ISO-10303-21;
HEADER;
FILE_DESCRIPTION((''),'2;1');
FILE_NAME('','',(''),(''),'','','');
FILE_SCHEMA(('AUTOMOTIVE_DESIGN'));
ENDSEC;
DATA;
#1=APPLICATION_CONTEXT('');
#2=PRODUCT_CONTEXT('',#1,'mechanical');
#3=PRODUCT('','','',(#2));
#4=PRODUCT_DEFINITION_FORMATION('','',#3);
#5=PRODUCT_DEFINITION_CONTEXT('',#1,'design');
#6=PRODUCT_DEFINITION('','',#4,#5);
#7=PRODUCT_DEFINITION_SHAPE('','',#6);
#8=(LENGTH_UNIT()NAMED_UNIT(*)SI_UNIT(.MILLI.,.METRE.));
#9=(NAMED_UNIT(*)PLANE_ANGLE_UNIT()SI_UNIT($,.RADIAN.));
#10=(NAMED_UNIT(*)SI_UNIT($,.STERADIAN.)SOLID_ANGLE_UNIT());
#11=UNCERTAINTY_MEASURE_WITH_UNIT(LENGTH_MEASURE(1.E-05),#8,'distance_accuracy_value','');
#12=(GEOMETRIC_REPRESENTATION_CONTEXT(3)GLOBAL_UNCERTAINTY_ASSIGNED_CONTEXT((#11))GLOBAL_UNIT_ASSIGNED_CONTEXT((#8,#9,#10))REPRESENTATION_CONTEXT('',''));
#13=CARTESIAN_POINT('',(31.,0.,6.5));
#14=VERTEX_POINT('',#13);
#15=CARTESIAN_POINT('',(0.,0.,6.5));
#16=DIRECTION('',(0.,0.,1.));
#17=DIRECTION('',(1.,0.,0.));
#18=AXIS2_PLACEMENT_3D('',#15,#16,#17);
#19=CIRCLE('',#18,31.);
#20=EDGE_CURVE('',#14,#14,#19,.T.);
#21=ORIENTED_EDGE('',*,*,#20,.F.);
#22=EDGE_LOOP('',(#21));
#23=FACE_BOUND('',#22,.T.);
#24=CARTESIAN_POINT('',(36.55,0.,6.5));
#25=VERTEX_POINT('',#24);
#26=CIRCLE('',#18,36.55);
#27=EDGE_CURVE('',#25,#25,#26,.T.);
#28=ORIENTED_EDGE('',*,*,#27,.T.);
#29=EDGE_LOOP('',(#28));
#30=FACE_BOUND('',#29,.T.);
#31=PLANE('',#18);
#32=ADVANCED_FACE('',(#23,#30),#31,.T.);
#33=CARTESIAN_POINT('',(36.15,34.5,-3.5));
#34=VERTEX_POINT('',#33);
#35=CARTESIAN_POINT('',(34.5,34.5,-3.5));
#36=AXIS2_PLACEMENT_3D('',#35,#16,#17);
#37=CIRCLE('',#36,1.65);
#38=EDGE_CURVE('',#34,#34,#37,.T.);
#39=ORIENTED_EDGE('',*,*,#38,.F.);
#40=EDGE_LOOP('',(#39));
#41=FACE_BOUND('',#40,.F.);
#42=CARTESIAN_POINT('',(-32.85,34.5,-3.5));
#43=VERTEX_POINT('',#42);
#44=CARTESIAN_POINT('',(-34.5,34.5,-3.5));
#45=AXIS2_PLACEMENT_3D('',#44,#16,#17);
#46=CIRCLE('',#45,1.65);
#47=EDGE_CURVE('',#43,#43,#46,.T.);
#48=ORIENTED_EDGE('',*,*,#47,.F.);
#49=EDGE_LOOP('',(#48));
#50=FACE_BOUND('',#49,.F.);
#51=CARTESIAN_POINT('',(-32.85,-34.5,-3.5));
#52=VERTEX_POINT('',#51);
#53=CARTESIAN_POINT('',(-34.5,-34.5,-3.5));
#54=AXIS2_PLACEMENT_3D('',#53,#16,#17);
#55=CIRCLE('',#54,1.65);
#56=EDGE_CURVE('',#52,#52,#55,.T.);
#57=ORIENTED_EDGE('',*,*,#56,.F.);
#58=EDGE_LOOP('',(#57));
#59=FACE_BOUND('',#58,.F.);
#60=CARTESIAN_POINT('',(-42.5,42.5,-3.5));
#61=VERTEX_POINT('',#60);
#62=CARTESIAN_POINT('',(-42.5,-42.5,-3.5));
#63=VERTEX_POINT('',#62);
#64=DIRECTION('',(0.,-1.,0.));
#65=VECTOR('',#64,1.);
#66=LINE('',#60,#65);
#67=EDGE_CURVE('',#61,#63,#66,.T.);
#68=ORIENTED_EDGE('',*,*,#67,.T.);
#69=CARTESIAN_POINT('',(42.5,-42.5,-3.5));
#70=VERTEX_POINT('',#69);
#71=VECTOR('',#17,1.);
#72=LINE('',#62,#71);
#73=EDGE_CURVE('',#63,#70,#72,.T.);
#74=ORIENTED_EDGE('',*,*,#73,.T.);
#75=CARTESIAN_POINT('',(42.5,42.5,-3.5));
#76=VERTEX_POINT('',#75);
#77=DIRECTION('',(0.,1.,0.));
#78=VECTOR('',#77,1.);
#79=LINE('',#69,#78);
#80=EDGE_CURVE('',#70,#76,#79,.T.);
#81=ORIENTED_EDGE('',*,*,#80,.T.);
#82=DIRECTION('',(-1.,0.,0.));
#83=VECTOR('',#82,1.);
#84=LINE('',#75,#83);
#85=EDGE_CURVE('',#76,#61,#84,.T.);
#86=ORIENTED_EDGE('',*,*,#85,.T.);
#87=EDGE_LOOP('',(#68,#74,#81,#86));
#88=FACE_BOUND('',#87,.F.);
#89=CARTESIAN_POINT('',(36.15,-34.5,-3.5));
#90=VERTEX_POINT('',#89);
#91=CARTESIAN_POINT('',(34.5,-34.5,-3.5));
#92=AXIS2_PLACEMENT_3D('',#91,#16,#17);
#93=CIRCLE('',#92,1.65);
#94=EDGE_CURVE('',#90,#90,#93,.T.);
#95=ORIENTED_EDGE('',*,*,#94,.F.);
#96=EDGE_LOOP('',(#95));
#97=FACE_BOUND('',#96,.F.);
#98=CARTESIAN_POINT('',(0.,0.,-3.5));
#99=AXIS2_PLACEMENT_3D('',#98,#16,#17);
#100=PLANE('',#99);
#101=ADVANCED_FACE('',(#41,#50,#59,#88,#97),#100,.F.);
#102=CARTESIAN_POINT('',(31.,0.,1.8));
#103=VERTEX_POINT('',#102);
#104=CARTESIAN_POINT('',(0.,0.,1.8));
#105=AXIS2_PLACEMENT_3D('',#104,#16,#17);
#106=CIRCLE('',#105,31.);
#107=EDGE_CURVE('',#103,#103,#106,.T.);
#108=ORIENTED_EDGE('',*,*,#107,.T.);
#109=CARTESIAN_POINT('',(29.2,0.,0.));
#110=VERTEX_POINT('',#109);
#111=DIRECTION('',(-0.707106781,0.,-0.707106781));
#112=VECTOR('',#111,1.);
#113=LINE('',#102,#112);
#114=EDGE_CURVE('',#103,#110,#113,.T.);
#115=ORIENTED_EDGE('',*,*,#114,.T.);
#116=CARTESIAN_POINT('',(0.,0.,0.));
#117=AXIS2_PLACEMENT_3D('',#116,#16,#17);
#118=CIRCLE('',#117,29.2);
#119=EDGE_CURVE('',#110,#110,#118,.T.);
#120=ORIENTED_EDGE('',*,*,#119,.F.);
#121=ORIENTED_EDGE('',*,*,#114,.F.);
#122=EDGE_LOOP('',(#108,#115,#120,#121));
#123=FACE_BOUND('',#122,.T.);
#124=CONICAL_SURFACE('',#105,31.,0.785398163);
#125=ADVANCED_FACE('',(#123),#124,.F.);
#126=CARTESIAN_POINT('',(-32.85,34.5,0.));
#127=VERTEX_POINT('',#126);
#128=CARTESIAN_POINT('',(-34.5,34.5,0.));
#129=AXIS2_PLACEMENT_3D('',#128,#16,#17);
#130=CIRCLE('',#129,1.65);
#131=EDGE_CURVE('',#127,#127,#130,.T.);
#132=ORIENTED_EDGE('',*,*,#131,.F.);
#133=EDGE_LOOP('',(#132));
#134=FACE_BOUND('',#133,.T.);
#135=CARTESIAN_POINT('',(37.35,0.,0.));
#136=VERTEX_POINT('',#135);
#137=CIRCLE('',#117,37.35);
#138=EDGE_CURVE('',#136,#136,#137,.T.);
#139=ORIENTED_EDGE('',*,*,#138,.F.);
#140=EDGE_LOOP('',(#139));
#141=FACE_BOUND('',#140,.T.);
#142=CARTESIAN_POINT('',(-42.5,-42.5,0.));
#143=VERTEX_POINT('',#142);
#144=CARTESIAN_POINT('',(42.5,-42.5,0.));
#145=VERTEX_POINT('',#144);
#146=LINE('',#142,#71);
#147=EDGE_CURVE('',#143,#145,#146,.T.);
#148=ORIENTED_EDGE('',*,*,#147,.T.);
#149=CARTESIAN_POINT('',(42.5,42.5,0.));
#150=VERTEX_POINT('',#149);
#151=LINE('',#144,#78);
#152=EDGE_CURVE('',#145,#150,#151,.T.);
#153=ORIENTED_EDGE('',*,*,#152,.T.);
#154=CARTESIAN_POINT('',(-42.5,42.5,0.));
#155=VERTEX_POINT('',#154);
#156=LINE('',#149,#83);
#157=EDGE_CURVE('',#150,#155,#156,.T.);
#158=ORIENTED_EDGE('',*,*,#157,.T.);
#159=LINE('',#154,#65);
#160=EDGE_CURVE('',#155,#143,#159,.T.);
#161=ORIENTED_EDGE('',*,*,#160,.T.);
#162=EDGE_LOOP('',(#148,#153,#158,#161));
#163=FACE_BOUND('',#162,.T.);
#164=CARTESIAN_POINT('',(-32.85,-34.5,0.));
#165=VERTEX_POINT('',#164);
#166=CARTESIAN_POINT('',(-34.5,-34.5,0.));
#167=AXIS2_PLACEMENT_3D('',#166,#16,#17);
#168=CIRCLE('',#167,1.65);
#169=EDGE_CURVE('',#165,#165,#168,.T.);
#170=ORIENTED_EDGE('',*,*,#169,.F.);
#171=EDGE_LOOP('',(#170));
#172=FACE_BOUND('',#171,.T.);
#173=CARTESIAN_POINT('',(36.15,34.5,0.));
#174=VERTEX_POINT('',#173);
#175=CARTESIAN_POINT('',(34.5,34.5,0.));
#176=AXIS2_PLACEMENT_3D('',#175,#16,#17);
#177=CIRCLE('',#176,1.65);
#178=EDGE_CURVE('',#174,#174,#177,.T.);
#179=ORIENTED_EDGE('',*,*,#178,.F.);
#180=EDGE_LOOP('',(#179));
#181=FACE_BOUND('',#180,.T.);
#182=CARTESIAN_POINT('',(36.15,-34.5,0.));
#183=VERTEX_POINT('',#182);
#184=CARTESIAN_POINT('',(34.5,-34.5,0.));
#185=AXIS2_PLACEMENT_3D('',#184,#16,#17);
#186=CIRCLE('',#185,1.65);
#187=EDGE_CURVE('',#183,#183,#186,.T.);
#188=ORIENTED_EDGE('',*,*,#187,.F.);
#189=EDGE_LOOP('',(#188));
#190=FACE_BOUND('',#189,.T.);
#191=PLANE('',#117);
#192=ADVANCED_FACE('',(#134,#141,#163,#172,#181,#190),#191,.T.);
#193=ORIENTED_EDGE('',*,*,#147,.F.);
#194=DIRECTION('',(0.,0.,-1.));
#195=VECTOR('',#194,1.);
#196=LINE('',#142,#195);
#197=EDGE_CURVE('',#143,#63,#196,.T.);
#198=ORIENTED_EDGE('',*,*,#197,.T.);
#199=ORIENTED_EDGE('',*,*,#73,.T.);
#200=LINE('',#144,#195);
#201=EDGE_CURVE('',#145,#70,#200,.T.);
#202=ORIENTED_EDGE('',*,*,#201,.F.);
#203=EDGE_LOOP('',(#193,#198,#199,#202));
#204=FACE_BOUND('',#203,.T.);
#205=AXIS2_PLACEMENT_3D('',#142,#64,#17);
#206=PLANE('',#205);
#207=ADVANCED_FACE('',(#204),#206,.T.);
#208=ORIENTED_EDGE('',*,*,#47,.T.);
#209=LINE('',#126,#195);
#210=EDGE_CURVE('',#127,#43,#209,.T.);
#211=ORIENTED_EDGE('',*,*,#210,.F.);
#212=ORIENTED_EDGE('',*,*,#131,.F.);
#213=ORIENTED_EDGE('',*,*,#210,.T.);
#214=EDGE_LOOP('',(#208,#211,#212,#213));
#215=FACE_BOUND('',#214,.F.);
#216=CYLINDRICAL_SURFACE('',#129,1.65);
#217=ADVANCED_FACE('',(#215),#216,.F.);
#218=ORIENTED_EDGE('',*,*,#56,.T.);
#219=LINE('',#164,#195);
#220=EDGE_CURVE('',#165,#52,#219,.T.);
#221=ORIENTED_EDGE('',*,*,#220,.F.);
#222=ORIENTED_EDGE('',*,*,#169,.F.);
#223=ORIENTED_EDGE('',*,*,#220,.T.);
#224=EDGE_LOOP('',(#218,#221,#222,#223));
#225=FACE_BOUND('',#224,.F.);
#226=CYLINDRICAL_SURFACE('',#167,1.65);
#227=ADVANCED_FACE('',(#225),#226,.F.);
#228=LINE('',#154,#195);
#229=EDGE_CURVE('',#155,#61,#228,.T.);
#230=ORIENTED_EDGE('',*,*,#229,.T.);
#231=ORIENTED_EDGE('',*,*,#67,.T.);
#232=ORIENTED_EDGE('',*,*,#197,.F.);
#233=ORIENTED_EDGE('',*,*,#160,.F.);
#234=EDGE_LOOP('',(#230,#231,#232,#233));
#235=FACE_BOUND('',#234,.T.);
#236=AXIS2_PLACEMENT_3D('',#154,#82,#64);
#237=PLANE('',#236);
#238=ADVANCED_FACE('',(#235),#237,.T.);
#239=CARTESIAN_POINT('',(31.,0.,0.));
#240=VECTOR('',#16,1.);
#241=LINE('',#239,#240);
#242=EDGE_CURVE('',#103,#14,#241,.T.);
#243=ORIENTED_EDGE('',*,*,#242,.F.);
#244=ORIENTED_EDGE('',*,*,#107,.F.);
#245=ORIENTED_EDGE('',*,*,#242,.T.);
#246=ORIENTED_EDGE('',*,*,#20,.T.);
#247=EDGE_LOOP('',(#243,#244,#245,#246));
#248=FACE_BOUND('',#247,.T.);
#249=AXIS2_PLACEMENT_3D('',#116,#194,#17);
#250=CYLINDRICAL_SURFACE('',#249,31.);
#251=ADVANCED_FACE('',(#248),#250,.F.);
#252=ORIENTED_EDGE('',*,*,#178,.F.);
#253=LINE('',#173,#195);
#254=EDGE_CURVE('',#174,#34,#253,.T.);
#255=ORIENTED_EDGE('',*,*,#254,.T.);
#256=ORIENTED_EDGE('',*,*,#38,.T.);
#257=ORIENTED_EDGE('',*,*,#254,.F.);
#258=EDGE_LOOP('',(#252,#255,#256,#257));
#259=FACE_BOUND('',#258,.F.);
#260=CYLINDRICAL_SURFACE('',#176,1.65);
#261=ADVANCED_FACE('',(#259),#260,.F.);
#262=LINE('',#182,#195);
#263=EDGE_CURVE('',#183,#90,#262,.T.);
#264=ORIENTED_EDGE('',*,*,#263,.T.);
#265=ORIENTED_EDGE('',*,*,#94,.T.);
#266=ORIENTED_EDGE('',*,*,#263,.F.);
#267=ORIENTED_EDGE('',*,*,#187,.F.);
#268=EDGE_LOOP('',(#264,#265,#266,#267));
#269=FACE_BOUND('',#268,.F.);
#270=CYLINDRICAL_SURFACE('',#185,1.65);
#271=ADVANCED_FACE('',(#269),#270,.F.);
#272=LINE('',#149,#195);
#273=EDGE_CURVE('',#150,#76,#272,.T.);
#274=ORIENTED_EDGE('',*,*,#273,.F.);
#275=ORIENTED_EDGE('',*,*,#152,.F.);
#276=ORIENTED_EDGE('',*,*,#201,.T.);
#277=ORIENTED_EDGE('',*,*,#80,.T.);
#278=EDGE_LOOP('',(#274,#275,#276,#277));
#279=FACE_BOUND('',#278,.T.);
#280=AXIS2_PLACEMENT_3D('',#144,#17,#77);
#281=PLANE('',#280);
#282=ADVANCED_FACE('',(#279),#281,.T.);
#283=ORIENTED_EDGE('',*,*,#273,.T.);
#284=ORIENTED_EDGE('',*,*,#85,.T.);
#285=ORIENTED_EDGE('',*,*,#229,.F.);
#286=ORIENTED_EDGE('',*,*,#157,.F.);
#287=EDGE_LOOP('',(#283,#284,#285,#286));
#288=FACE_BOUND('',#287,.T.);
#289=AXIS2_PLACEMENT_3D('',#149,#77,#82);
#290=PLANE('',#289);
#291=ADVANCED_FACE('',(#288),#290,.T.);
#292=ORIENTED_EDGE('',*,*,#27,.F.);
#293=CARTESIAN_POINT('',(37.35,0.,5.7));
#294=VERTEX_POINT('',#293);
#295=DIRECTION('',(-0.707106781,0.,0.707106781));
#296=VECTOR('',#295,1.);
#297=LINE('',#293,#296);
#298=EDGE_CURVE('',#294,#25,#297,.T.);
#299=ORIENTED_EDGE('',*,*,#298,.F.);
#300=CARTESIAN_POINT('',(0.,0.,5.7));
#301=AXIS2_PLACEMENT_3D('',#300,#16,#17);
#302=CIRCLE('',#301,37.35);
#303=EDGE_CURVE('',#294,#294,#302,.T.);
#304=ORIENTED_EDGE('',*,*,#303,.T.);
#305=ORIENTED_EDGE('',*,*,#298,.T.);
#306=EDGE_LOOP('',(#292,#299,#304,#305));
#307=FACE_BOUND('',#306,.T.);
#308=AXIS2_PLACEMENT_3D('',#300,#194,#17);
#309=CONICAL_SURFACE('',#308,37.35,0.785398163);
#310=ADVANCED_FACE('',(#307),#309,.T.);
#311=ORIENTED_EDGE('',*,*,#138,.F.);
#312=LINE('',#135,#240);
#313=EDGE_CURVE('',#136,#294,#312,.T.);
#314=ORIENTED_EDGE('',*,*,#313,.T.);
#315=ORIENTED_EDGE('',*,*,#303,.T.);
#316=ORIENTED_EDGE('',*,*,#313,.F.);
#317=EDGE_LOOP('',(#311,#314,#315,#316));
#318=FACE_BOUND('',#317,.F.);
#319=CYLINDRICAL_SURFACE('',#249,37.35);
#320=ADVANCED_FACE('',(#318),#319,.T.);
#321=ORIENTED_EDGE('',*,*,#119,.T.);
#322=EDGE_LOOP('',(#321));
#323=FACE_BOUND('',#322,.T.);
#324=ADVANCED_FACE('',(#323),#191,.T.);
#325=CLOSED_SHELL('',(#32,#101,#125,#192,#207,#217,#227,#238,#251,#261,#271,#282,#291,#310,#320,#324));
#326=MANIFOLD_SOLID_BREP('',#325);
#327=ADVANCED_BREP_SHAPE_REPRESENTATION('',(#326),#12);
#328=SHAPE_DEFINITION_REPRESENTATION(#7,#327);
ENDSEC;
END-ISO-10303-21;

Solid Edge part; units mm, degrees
sketch "Sketch1" plane through (0, 0, 0) normal (0, 0, 1) x (1, 0, 0)
  circle A0 centre (34.5, 34.5) radius 1.65
  circle A1 centre (-34.5, 34.5) radius 1.65
  circle A2 centre (-34.5, -34.5) radius 1.65
  circle A3 centre (34.5, -34.5) radius 1.65
  line L0 (42.5, 42.5) -> (-42.5, 42.5)
  line L1 (-42.5, 42.5) -> (-42.5, -42.5)
  line L2 (-42.5, -42.5) -> (42.5, -42.5)
  line L3 (42.5, -42.5) -> (42.5, 42.5)
extrude "Protrusion1" add sketch "Sketch1" against normal blind 3.5
sketch "Sketch2" plane through (0, 0, 0) normal (0, 0, 1) x (1, 0, 0)
  circle A0 centre (0, 0) radius 31
  circle A1 centre (0, 0) radius 37.35
extrude "ExtrudedProtrusion_2" add sketch "Sketch2" along normal blind 6.5
chamfer "Chamfer_1" distance 0.8 angle 45 1 edges at (-37.35, 0, 6.5)
chamfer "Chamfer_2" distance 1.8 angle 45 1 edges at (-31, 0, 0)
